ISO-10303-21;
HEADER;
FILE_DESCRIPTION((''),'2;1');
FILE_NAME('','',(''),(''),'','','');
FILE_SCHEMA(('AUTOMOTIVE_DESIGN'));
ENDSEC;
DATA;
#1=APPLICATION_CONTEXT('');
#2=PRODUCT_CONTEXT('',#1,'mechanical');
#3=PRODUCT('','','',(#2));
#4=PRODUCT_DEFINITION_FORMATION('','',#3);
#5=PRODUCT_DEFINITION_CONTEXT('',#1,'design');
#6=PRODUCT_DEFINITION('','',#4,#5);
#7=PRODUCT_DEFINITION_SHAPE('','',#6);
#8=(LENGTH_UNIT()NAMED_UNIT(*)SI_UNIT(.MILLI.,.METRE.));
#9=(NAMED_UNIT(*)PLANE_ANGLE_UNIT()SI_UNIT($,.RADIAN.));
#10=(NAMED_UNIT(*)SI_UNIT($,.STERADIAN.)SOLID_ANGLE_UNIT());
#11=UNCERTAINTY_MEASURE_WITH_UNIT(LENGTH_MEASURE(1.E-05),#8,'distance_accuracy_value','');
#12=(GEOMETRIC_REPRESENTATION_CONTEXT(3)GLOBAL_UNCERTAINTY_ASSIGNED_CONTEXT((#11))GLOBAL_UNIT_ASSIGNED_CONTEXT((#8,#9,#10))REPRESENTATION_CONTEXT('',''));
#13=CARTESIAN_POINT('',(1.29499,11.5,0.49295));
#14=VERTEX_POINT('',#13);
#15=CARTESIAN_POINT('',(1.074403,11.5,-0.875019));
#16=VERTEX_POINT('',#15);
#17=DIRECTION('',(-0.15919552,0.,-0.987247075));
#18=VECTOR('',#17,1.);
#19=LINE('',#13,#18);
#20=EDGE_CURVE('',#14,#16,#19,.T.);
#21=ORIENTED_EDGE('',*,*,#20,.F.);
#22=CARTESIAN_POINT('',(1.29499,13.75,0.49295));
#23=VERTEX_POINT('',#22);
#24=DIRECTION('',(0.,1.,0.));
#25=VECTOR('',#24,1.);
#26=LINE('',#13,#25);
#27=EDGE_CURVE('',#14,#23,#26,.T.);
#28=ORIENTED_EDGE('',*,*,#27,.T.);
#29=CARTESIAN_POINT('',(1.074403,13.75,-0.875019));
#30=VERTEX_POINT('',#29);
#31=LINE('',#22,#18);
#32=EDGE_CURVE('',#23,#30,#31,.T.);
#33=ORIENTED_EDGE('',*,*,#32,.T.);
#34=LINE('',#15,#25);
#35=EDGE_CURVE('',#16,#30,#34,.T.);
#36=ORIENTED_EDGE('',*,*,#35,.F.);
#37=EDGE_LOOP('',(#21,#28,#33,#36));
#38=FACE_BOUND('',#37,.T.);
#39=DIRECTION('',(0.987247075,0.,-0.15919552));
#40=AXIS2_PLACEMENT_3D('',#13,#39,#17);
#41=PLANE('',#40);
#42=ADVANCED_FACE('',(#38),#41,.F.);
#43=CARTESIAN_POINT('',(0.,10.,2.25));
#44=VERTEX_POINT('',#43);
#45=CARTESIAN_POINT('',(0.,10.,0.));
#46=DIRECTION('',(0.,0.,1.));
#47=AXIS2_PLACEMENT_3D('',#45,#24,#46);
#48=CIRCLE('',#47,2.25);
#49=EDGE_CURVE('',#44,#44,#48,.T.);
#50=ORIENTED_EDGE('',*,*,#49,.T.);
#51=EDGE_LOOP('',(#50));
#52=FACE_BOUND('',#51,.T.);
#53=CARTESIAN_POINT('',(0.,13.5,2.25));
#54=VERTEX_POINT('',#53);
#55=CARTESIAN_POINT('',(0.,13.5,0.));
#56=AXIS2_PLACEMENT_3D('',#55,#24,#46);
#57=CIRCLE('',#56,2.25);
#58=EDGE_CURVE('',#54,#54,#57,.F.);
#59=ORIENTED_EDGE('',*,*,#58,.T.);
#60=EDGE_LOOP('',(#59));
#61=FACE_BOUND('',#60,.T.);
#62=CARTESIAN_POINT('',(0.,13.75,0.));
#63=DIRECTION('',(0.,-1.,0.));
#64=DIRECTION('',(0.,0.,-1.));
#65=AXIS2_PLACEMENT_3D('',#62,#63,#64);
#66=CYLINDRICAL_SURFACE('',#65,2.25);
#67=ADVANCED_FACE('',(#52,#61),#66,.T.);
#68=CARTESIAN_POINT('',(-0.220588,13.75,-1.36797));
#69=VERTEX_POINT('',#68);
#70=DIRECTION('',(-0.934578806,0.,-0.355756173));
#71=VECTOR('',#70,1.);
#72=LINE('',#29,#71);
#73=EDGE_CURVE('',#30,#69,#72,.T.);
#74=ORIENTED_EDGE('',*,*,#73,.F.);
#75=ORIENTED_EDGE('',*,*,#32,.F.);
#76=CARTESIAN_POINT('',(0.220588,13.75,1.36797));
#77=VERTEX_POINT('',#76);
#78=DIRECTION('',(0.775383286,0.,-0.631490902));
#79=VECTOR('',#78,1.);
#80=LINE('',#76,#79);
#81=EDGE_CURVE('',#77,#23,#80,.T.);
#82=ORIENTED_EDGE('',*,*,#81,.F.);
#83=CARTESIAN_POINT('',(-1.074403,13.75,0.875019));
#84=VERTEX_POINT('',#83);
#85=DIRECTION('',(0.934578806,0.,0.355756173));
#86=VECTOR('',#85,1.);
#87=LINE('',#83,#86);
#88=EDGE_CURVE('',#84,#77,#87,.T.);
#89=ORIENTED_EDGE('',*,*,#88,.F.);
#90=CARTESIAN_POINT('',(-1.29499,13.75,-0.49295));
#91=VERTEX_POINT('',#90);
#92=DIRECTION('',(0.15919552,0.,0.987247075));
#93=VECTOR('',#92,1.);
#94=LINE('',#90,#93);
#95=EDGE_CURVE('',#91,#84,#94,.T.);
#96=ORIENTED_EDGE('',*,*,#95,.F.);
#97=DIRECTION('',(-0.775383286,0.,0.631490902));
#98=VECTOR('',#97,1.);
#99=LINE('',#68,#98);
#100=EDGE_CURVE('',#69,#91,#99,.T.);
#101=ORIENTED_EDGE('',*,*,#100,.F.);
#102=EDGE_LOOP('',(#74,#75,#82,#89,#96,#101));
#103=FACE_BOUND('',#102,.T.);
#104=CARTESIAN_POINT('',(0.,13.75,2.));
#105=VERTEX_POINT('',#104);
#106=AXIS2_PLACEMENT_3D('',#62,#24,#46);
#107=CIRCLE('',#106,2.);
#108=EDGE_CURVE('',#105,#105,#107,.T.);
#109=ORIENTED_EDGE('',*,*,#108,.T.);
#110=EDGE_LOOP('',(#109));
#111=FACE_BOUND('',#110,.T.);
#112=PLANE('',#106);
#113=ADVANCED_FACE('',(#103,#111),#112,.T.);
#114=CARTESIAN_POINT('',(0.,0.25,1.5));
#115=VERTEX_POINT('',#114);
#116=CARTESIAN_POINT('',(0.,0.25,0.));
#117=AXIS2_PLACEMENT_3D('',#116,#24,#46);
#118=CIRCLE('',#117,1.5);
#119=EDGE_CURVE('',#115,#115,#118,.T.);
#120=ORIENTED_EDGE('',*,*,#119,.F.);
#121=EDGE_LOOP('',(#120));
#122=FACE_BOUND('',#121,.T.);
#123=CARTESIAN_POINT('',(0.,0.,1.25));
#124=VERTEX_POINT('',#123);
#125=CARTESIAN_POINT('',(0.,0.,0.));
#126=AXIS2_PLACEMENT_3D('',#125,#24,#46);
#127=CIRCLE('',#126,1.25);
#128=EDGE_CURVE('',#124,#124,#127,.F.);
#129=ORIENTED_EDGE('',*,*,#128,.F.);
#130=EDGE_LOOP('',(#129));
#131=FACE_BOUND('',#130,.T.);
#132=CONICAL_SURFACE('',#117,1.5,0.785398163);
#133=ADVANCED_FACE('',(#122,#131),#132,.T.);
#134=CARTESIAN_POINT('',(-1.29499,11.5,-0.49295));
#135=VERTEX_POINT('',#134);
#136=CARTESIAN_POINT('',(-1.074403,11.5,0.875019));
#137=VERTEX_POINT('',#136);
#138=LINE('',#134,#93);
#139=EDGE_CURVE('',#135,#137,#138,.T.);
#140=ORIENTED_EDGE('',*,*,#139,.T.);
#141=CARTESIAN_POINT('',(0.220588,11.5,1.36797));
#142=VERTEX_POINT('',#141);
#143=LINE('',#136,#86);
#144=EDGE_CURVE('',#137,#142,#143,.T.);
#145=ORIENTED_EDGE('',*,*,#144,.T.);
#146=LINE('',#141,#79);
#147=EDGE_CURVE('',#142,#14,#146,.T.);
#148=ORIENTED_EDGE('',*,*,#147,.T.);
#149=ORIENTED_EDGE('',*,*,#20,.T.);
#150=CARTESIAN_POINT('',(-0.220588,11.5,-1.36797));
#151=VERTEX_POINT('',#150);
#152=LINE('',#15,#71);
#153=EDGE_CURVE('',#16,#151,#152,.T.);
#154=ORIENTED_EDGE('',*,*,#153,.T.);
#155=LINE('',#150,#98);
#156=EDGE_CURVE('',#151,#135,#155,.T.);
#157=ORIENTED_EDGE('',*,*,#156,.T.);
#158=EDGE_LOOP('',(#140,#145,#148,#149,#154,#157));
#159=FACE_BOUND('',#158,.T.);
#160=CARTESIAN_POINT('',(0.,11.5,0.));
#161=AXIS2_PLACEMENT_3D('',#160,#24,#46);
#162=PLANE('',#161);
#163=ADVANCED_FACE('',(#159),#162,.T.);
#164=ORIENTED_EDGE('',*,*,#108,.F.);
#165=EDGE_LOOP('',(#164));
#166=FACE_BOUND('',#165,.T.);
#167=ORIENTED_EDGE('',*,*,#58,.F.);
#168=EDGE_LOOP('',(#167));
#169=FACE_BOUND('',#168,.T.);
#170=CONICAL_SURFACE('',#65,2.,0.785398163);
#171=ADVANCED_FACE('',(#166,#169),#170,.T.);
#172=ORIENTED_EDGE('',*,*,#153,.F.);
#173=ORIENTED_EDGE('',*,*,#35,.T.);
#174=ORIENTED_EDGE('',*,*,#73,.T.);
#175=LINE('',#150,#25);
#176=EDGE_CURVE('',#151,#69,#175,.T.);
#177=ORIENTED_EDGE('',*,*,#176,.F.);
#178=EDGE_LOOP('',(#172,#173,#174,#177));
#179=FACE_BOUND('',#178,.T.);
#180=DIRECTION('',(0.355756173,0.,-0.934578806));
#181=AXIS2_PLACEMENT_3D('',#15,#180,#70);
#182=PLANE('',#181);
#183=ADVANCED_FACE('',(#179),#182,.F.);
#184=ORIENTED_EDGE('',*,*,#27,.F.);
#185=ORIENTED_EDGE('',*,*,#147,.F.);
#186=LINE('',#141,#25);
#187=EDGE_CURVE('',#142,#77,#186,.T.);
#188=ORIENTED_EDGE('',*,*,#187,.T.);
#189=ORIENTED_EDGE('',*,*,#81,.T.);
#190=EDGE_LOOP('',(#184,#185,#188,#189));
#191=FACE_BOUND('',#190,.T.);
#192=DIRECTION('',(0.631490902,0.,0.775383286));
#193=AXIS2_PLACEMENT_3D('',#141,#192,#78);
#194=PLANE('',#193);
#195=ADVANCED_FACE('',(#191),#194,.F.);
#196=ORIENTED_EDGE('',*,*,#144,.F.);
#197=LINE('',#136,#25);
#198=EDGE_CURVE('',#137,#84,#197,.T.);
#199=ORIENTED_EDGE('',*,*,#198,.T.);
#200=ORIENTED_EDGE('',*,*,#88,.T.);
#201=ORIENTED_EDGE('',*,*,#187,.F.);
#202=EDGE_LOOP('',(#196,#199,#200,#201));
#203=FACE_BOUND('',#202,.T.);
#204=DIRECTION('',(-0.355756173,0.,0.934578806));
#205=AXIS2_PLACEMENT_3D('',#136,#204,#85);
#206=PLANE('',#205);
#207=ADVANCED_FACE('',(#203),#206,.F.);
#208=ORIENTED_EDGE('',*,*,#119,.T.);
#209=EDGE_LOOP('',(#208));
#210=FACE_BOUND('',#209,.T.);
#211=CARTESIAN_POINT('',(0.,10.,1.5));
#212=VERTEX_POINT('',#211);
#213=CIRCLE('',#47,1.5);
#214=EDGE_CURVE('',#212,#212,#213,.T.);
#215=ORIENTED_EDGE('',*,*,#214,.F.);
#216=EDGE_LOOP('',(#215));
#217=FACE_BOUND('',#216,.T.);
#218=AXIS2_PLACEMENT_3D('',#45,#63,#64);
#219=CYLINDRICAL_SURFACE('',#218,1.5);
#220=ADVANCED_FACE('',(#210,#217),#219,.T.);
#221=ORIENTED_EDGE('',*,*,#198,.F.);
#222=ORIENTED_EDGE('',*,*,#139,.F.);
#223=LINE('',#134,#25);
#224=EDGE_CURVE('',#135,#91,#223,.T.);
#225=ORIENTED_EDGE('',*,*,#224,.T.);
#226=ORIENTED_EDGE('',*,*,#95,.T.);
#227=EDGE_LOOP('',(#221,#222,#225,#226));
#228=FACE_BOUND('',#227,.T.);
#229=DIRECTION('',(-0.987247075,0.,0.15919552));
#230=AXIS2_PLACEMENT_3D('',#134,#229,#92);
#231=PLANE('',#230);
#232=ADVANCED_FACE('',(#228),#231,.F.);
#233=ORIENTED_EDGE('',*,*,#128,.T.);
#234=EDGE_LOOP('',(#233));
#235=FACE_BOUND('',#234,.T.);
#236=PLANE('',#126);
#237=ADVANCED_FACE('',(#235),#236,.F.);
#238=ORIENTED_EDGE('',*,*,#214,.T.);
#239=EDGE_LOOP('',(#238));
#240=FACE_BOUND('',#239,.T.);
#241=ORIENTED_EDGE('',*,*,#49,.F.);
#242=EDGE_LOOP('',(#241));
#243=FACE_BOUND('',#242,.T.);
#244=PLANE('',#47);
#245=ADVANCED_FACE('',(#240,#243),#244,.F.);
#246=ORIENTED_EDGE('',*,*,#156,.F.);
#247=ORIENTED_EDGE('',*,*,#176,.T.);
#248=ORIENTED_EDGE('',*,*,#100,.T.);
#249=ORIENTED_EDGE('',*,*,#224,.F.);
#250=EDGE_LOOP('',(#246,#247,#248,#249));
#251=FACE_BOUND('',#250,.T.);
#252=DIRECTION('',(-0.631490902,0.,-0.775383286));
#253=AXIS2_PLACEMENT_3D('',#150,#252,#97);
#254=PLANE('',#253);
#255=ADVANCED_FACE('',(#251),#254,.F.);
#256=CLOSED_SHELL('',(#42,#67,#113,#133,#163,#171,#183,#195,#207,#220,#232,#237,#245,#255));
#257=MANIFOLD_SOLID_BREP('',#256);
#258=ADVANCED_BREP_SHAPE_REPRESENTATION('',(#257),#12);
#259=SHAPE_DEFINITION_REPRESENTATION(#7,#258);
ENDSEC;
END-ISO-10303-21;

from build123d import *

# Parameters (mm, degrees)
SKICA1_R                 = 1.5
P_IDAT_VYSUNUT_M1_DEPTH  = 10
SKICA2_R                 = 2.25
P_IDAT_VYSUNUT_M2_DEPTH  = 3.75
ODEBRAT_VYSUNUT_M1_DEPTH = 2.25
ZKOSEN_1_SIZE            = 0.25
ZKOSEN_2_SIZE            = 0.25


with BuildPart() as part:
    # Skica1 → Přidat vysunutím1 (new body)
    with BuildSketch(Plane(origin=(0, 0, 0), x_dir=(1, 0, 0), z_dir=(0, 1, 0))):
        with Locations(Location((0, 0, 0), (0, 0, 270))):
            Circle(SKICA1_R)
    extrude(amount=P_IDAT_VYSUNUT_M1_DEPTH)

    # Skica2 → Přidat vysunutím2 (add)
    with BuildSketch(Plane(origin=(0, 10, 0), x_dir=(1, 0, 0), z_dir=(0, 1, 0))):
        with Locations(Location((0, 0, 0), (0, 0, 270))):
            Circle(SKICA2_R)
    extrude(amount=P_IDAT_VYSUNUT_M2_DEPTH)

    # Skica3 → Odebrat vysunutím1 (cut)
    with BuildSketch(Plane(origin=(0, 13.75, 0), x_dir=(1, 0, 0), z_dir=(0, 1, 0))):
        Polygon((-1.074402598, -0.875019461), (0.220587783, -1.367969674), (1.294990381, -0.492950213), (1.074402598, 0.875019461), (-0.220587783, 1.367969674), (-1.294990381, 0.492950213), align=None)
    extrude(amount=-ODEBRAT_VYSUNUT_M1_DEPTH, mode=Mode.SUBTRACT)

    # Zkosení1
    zkosen_1_edges = [part.edges().sort_by_distance(p)[0] for p in [
        (0, 13.75, -2.25),
    ]]
    chamfer(zkosen_1_edges, length=ZKOSEN_1_SIZE)

    # Zkosení2
    zkosen_2_edges = [part.edges().sort_by_distance(p)[0] for p in [
        (0, 0, -1.5),
    ]]
    chamfer(zkosen_2_edges, length=ZKOSEN_2_SIZE)


solid = part.part
